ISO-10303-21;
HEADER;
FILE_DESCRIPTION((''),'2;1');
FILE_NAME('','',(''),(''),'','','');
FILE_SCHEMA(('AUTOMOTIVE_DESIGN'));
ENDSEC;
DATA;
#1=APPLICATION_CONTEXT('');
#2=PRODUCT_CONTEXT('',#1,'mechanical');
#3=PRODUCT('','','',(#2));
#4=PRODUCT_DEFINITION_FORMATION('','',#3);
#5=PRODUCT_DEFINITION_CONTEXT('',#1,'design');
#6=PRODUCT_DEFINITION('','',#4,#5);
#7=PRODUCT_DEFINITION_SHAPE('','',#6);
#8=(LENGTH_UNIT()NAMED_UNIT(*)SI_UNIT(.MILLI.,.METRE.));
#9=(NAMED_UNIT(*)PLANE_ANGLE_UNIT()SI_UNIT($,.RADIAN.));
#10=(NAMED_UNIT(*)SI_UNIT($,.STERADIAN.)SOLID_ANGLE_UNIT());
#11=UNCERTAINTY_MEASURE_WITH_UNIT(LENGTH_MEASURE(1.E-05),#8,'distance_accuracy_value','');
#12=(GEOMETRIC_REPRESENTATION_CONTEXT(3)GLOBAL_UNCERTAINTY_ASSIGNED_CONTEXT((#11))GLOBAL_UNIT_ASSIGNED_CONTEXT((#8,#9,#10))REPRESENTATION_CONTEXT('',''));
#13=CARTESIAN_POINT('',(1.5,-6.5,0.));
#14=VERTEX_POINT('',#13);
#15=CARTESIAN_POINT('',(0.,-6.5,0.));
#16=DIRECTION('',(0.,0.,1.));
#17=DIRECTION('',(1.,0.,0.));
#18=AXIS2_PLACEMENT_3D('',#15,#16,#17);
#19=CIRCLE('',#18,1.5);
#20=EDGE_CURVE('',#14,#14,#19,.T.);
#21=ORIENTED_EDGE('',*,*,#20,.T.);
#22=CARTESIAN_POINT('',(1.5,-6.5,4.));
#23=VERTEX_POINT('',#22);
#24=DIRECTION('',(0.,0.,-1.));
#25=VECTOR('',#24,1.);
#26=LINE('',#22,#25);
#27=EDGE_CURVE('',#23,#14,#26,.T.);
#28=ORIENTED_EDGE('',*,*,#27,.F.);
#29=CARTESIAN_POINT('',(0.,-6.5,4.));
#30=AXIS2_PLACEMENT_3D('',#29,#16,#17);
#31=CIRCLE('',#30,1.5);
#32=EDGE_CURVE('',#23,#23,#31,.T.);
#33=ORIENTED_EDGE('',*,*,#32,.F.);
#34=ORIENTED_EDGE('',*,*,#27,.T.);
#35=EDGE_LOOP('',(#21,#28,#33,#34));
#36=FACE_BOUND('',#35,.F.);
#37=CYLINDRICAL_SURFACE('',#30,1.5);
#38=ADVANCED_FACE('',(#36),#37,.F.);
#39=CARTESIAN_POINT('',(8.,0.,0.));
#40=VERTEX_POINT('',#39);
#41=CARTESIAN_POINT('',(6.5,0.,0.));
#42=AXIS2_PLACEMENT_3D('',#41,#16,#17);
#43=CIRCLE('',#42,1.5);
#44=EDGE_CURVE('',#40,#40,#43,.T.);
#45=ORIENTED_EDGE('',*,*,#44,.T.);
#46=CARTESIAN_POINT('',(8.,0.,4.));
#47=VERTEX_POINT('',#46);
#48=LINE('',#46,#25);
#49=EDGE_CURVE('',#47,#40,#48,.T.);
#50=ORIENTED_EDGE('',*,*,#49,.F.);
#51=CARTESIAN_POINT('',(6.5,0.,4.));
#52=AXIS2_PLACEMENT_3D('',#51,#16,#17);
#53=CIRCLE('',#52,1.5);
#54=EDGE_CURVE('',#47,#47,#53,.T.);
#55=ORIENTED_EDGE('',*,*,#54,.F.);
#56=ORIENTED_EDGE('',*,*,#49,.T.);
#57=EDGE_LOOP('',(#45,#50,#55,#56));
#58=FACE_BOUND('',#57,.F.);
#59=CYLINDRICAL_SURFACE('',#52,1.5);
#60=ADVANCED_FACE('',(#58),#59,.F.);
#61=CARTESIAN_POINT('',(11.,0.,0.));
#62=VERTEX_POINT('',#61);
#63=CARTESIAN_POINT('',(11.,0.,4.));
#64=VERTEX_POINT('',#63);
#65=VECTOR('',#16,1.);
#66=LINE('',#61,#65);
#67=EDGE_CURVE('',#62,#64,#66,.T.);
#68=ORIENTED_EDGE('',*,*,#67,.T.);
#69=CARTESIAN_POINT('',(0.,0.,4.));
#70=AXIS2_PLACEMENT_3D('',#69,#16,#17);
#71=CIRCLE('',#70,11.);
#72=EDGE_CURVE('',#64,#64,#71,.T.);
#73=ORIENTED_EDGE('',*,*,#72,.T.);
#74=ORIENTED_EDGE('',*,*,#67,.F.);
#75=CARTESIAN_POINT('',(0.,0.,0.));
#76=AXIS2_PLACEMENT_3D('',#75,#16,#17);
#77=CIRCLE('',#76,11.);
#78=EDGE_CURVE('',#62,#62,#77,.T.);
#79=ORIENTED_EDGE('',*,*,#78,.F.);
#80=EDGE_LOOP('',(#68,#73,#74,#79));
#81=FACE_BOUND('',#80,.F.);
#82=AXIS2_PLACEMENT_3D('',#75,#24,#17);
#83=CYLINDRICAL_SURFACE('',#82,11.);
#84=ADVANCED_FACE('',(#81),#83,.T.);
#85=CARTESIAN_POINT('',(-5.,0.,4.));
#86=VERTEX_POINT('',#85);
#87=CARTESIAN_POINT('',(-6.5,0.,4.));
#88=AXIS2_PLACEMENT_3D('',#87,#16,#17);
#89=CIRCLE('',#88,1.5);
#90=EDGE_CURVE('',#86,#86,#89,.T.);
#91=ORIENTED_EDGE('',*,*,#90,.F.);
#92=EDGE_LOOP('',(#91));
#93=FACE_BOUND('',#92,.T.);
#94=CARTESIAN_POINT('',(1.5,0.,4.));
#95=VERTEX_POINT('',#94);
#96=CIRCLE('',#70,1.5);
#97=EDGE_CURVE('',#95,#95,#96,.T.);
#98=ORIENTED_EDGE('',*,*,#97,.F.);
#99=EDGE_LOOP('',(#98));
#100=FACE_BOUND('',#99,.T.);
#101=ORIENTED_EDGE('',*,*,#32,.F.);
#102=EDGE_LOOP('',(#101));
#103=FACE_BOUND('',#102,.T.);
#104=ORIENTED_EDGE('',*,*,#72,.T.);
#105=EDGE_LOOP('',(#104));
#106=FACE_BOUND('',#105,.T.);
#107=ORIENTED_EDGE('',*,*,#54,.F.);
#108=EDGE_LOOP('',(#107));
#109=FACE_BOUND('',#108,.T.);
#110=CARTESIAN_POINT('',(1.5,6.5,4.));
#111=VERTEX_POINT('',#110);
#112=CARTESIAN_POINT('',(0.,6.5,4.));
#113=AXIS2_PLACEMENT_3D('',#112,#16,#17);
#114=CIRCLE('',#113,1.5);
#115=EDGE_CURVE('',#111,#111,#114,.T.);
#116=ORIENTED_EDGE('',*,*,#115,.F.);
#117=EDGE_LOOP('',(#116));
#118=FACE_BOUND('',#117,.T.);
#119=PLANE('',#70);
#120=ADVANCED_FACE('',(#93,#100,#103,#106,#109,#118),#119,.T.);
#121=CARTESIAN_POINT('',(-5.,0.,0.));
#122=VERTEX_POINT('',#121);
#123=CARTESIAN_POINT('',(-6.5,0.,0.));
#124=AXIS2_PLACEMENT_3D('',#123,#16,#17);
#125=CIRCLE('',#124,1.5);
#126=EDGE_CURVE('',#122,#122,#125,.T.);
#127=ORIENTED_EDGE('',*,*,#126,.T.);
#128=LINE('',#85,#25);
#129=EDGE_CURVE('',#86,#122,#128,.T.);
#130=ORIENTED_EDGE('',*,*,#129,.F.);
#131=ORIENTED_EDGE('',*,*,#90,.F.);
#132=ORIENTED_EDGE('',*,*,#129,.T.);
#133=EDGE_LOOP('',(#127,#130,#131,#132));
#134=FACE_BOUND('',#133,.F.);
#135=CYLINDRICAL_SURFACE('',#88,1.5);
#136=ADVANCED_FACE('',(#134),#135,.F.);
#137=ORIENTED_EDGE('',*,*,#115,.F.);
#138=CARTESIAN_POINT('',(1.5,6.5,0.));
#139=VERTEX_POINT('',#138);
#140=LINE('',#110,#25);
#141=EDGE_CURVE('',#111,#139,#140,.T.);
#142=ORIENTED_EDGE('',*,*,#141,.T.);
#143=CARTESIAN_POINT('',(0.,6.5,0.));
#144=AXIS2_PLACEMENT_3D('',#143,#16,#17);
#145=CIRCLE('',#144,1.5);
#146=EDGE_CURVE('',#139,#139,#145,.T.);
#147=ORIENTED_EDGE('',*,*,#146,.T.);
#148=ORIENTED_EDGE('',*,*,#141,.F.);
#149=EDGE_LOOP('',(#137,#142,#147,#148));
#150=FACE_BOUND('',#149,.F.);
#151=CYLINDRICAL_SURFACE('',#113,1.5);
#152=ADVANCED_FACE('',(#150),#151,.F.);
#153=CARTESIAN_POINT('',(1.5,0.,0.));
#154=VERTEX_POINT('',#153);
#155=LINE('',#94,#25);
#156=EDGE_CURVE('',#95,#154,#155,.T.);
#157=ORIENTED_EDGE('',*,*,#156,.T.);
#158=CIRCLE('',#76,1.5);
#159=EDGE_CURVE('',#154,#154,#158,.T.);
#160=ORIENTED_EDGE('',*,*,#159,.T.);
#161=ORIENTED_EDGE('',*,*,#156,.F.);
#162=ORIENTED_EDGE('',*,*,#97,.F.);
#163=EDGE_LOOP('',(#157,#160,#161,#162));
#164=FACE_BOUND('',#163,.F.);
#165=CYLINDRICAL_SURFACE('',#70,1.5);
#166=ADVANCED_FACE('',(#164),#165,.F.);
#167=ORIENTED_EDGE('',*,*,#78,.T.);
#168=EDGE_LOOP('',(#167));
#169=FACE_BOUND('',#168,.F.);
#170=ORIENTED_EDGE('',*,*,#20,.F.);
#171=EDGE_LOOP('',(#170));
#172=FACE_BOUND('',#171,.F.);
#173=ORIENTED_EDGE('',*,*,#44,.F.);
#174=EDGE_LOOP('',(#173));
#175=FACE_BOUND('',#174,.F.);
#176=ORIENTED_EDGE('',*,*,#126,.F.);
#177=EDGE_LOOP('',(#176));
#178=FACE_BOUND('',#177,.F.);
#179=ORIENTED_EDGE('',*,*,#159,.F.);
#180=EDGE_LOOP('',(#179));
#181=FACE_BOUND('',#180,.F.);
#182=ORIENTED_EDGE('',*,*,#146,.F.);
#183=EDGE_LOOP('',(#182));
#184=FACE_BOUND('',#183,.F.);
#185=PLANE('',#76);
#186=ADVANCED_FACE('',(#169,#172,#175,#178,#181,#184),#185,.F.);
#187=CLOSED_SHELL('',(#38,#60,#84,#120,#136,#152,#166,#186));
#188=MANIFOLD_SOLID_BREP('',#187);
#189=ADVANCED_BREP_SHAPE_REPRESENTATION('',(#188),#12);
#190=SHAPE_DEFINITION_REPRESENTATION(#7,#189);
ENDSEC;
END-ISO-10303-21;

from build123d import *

# Parameters (mm, degrees)
F0_R     = 11
F1_DEPTH = 4
F2_R     = 1.5
F3_DEPTH = 4.001


with BuildPart() as f1:
    # F0 (on Top) → F1 (new body)
    with BuildSketch(Plane.XY):
        Circle(F0_R)
    extrude(amount=F1_DEPTH)

    # F2 (on face) → F3 (cut, through all)
    with BuildSketch(Plane.XY.offset(4)):
        Circle(F2_R)
        with Locations((-6.5, 0)):
            Circle(F2_R)
        with Locations((0, -6.5)):
            Circle(F2_R)
        with Locations((6.5, 0)):
            Circle(F2_R)
        with Locations((0, 6.5)):
            Circle(F2_R)
    extrude(amount=-F3_DEPTH, mode=Mode.SUBTRACT)


solid = f1.part
